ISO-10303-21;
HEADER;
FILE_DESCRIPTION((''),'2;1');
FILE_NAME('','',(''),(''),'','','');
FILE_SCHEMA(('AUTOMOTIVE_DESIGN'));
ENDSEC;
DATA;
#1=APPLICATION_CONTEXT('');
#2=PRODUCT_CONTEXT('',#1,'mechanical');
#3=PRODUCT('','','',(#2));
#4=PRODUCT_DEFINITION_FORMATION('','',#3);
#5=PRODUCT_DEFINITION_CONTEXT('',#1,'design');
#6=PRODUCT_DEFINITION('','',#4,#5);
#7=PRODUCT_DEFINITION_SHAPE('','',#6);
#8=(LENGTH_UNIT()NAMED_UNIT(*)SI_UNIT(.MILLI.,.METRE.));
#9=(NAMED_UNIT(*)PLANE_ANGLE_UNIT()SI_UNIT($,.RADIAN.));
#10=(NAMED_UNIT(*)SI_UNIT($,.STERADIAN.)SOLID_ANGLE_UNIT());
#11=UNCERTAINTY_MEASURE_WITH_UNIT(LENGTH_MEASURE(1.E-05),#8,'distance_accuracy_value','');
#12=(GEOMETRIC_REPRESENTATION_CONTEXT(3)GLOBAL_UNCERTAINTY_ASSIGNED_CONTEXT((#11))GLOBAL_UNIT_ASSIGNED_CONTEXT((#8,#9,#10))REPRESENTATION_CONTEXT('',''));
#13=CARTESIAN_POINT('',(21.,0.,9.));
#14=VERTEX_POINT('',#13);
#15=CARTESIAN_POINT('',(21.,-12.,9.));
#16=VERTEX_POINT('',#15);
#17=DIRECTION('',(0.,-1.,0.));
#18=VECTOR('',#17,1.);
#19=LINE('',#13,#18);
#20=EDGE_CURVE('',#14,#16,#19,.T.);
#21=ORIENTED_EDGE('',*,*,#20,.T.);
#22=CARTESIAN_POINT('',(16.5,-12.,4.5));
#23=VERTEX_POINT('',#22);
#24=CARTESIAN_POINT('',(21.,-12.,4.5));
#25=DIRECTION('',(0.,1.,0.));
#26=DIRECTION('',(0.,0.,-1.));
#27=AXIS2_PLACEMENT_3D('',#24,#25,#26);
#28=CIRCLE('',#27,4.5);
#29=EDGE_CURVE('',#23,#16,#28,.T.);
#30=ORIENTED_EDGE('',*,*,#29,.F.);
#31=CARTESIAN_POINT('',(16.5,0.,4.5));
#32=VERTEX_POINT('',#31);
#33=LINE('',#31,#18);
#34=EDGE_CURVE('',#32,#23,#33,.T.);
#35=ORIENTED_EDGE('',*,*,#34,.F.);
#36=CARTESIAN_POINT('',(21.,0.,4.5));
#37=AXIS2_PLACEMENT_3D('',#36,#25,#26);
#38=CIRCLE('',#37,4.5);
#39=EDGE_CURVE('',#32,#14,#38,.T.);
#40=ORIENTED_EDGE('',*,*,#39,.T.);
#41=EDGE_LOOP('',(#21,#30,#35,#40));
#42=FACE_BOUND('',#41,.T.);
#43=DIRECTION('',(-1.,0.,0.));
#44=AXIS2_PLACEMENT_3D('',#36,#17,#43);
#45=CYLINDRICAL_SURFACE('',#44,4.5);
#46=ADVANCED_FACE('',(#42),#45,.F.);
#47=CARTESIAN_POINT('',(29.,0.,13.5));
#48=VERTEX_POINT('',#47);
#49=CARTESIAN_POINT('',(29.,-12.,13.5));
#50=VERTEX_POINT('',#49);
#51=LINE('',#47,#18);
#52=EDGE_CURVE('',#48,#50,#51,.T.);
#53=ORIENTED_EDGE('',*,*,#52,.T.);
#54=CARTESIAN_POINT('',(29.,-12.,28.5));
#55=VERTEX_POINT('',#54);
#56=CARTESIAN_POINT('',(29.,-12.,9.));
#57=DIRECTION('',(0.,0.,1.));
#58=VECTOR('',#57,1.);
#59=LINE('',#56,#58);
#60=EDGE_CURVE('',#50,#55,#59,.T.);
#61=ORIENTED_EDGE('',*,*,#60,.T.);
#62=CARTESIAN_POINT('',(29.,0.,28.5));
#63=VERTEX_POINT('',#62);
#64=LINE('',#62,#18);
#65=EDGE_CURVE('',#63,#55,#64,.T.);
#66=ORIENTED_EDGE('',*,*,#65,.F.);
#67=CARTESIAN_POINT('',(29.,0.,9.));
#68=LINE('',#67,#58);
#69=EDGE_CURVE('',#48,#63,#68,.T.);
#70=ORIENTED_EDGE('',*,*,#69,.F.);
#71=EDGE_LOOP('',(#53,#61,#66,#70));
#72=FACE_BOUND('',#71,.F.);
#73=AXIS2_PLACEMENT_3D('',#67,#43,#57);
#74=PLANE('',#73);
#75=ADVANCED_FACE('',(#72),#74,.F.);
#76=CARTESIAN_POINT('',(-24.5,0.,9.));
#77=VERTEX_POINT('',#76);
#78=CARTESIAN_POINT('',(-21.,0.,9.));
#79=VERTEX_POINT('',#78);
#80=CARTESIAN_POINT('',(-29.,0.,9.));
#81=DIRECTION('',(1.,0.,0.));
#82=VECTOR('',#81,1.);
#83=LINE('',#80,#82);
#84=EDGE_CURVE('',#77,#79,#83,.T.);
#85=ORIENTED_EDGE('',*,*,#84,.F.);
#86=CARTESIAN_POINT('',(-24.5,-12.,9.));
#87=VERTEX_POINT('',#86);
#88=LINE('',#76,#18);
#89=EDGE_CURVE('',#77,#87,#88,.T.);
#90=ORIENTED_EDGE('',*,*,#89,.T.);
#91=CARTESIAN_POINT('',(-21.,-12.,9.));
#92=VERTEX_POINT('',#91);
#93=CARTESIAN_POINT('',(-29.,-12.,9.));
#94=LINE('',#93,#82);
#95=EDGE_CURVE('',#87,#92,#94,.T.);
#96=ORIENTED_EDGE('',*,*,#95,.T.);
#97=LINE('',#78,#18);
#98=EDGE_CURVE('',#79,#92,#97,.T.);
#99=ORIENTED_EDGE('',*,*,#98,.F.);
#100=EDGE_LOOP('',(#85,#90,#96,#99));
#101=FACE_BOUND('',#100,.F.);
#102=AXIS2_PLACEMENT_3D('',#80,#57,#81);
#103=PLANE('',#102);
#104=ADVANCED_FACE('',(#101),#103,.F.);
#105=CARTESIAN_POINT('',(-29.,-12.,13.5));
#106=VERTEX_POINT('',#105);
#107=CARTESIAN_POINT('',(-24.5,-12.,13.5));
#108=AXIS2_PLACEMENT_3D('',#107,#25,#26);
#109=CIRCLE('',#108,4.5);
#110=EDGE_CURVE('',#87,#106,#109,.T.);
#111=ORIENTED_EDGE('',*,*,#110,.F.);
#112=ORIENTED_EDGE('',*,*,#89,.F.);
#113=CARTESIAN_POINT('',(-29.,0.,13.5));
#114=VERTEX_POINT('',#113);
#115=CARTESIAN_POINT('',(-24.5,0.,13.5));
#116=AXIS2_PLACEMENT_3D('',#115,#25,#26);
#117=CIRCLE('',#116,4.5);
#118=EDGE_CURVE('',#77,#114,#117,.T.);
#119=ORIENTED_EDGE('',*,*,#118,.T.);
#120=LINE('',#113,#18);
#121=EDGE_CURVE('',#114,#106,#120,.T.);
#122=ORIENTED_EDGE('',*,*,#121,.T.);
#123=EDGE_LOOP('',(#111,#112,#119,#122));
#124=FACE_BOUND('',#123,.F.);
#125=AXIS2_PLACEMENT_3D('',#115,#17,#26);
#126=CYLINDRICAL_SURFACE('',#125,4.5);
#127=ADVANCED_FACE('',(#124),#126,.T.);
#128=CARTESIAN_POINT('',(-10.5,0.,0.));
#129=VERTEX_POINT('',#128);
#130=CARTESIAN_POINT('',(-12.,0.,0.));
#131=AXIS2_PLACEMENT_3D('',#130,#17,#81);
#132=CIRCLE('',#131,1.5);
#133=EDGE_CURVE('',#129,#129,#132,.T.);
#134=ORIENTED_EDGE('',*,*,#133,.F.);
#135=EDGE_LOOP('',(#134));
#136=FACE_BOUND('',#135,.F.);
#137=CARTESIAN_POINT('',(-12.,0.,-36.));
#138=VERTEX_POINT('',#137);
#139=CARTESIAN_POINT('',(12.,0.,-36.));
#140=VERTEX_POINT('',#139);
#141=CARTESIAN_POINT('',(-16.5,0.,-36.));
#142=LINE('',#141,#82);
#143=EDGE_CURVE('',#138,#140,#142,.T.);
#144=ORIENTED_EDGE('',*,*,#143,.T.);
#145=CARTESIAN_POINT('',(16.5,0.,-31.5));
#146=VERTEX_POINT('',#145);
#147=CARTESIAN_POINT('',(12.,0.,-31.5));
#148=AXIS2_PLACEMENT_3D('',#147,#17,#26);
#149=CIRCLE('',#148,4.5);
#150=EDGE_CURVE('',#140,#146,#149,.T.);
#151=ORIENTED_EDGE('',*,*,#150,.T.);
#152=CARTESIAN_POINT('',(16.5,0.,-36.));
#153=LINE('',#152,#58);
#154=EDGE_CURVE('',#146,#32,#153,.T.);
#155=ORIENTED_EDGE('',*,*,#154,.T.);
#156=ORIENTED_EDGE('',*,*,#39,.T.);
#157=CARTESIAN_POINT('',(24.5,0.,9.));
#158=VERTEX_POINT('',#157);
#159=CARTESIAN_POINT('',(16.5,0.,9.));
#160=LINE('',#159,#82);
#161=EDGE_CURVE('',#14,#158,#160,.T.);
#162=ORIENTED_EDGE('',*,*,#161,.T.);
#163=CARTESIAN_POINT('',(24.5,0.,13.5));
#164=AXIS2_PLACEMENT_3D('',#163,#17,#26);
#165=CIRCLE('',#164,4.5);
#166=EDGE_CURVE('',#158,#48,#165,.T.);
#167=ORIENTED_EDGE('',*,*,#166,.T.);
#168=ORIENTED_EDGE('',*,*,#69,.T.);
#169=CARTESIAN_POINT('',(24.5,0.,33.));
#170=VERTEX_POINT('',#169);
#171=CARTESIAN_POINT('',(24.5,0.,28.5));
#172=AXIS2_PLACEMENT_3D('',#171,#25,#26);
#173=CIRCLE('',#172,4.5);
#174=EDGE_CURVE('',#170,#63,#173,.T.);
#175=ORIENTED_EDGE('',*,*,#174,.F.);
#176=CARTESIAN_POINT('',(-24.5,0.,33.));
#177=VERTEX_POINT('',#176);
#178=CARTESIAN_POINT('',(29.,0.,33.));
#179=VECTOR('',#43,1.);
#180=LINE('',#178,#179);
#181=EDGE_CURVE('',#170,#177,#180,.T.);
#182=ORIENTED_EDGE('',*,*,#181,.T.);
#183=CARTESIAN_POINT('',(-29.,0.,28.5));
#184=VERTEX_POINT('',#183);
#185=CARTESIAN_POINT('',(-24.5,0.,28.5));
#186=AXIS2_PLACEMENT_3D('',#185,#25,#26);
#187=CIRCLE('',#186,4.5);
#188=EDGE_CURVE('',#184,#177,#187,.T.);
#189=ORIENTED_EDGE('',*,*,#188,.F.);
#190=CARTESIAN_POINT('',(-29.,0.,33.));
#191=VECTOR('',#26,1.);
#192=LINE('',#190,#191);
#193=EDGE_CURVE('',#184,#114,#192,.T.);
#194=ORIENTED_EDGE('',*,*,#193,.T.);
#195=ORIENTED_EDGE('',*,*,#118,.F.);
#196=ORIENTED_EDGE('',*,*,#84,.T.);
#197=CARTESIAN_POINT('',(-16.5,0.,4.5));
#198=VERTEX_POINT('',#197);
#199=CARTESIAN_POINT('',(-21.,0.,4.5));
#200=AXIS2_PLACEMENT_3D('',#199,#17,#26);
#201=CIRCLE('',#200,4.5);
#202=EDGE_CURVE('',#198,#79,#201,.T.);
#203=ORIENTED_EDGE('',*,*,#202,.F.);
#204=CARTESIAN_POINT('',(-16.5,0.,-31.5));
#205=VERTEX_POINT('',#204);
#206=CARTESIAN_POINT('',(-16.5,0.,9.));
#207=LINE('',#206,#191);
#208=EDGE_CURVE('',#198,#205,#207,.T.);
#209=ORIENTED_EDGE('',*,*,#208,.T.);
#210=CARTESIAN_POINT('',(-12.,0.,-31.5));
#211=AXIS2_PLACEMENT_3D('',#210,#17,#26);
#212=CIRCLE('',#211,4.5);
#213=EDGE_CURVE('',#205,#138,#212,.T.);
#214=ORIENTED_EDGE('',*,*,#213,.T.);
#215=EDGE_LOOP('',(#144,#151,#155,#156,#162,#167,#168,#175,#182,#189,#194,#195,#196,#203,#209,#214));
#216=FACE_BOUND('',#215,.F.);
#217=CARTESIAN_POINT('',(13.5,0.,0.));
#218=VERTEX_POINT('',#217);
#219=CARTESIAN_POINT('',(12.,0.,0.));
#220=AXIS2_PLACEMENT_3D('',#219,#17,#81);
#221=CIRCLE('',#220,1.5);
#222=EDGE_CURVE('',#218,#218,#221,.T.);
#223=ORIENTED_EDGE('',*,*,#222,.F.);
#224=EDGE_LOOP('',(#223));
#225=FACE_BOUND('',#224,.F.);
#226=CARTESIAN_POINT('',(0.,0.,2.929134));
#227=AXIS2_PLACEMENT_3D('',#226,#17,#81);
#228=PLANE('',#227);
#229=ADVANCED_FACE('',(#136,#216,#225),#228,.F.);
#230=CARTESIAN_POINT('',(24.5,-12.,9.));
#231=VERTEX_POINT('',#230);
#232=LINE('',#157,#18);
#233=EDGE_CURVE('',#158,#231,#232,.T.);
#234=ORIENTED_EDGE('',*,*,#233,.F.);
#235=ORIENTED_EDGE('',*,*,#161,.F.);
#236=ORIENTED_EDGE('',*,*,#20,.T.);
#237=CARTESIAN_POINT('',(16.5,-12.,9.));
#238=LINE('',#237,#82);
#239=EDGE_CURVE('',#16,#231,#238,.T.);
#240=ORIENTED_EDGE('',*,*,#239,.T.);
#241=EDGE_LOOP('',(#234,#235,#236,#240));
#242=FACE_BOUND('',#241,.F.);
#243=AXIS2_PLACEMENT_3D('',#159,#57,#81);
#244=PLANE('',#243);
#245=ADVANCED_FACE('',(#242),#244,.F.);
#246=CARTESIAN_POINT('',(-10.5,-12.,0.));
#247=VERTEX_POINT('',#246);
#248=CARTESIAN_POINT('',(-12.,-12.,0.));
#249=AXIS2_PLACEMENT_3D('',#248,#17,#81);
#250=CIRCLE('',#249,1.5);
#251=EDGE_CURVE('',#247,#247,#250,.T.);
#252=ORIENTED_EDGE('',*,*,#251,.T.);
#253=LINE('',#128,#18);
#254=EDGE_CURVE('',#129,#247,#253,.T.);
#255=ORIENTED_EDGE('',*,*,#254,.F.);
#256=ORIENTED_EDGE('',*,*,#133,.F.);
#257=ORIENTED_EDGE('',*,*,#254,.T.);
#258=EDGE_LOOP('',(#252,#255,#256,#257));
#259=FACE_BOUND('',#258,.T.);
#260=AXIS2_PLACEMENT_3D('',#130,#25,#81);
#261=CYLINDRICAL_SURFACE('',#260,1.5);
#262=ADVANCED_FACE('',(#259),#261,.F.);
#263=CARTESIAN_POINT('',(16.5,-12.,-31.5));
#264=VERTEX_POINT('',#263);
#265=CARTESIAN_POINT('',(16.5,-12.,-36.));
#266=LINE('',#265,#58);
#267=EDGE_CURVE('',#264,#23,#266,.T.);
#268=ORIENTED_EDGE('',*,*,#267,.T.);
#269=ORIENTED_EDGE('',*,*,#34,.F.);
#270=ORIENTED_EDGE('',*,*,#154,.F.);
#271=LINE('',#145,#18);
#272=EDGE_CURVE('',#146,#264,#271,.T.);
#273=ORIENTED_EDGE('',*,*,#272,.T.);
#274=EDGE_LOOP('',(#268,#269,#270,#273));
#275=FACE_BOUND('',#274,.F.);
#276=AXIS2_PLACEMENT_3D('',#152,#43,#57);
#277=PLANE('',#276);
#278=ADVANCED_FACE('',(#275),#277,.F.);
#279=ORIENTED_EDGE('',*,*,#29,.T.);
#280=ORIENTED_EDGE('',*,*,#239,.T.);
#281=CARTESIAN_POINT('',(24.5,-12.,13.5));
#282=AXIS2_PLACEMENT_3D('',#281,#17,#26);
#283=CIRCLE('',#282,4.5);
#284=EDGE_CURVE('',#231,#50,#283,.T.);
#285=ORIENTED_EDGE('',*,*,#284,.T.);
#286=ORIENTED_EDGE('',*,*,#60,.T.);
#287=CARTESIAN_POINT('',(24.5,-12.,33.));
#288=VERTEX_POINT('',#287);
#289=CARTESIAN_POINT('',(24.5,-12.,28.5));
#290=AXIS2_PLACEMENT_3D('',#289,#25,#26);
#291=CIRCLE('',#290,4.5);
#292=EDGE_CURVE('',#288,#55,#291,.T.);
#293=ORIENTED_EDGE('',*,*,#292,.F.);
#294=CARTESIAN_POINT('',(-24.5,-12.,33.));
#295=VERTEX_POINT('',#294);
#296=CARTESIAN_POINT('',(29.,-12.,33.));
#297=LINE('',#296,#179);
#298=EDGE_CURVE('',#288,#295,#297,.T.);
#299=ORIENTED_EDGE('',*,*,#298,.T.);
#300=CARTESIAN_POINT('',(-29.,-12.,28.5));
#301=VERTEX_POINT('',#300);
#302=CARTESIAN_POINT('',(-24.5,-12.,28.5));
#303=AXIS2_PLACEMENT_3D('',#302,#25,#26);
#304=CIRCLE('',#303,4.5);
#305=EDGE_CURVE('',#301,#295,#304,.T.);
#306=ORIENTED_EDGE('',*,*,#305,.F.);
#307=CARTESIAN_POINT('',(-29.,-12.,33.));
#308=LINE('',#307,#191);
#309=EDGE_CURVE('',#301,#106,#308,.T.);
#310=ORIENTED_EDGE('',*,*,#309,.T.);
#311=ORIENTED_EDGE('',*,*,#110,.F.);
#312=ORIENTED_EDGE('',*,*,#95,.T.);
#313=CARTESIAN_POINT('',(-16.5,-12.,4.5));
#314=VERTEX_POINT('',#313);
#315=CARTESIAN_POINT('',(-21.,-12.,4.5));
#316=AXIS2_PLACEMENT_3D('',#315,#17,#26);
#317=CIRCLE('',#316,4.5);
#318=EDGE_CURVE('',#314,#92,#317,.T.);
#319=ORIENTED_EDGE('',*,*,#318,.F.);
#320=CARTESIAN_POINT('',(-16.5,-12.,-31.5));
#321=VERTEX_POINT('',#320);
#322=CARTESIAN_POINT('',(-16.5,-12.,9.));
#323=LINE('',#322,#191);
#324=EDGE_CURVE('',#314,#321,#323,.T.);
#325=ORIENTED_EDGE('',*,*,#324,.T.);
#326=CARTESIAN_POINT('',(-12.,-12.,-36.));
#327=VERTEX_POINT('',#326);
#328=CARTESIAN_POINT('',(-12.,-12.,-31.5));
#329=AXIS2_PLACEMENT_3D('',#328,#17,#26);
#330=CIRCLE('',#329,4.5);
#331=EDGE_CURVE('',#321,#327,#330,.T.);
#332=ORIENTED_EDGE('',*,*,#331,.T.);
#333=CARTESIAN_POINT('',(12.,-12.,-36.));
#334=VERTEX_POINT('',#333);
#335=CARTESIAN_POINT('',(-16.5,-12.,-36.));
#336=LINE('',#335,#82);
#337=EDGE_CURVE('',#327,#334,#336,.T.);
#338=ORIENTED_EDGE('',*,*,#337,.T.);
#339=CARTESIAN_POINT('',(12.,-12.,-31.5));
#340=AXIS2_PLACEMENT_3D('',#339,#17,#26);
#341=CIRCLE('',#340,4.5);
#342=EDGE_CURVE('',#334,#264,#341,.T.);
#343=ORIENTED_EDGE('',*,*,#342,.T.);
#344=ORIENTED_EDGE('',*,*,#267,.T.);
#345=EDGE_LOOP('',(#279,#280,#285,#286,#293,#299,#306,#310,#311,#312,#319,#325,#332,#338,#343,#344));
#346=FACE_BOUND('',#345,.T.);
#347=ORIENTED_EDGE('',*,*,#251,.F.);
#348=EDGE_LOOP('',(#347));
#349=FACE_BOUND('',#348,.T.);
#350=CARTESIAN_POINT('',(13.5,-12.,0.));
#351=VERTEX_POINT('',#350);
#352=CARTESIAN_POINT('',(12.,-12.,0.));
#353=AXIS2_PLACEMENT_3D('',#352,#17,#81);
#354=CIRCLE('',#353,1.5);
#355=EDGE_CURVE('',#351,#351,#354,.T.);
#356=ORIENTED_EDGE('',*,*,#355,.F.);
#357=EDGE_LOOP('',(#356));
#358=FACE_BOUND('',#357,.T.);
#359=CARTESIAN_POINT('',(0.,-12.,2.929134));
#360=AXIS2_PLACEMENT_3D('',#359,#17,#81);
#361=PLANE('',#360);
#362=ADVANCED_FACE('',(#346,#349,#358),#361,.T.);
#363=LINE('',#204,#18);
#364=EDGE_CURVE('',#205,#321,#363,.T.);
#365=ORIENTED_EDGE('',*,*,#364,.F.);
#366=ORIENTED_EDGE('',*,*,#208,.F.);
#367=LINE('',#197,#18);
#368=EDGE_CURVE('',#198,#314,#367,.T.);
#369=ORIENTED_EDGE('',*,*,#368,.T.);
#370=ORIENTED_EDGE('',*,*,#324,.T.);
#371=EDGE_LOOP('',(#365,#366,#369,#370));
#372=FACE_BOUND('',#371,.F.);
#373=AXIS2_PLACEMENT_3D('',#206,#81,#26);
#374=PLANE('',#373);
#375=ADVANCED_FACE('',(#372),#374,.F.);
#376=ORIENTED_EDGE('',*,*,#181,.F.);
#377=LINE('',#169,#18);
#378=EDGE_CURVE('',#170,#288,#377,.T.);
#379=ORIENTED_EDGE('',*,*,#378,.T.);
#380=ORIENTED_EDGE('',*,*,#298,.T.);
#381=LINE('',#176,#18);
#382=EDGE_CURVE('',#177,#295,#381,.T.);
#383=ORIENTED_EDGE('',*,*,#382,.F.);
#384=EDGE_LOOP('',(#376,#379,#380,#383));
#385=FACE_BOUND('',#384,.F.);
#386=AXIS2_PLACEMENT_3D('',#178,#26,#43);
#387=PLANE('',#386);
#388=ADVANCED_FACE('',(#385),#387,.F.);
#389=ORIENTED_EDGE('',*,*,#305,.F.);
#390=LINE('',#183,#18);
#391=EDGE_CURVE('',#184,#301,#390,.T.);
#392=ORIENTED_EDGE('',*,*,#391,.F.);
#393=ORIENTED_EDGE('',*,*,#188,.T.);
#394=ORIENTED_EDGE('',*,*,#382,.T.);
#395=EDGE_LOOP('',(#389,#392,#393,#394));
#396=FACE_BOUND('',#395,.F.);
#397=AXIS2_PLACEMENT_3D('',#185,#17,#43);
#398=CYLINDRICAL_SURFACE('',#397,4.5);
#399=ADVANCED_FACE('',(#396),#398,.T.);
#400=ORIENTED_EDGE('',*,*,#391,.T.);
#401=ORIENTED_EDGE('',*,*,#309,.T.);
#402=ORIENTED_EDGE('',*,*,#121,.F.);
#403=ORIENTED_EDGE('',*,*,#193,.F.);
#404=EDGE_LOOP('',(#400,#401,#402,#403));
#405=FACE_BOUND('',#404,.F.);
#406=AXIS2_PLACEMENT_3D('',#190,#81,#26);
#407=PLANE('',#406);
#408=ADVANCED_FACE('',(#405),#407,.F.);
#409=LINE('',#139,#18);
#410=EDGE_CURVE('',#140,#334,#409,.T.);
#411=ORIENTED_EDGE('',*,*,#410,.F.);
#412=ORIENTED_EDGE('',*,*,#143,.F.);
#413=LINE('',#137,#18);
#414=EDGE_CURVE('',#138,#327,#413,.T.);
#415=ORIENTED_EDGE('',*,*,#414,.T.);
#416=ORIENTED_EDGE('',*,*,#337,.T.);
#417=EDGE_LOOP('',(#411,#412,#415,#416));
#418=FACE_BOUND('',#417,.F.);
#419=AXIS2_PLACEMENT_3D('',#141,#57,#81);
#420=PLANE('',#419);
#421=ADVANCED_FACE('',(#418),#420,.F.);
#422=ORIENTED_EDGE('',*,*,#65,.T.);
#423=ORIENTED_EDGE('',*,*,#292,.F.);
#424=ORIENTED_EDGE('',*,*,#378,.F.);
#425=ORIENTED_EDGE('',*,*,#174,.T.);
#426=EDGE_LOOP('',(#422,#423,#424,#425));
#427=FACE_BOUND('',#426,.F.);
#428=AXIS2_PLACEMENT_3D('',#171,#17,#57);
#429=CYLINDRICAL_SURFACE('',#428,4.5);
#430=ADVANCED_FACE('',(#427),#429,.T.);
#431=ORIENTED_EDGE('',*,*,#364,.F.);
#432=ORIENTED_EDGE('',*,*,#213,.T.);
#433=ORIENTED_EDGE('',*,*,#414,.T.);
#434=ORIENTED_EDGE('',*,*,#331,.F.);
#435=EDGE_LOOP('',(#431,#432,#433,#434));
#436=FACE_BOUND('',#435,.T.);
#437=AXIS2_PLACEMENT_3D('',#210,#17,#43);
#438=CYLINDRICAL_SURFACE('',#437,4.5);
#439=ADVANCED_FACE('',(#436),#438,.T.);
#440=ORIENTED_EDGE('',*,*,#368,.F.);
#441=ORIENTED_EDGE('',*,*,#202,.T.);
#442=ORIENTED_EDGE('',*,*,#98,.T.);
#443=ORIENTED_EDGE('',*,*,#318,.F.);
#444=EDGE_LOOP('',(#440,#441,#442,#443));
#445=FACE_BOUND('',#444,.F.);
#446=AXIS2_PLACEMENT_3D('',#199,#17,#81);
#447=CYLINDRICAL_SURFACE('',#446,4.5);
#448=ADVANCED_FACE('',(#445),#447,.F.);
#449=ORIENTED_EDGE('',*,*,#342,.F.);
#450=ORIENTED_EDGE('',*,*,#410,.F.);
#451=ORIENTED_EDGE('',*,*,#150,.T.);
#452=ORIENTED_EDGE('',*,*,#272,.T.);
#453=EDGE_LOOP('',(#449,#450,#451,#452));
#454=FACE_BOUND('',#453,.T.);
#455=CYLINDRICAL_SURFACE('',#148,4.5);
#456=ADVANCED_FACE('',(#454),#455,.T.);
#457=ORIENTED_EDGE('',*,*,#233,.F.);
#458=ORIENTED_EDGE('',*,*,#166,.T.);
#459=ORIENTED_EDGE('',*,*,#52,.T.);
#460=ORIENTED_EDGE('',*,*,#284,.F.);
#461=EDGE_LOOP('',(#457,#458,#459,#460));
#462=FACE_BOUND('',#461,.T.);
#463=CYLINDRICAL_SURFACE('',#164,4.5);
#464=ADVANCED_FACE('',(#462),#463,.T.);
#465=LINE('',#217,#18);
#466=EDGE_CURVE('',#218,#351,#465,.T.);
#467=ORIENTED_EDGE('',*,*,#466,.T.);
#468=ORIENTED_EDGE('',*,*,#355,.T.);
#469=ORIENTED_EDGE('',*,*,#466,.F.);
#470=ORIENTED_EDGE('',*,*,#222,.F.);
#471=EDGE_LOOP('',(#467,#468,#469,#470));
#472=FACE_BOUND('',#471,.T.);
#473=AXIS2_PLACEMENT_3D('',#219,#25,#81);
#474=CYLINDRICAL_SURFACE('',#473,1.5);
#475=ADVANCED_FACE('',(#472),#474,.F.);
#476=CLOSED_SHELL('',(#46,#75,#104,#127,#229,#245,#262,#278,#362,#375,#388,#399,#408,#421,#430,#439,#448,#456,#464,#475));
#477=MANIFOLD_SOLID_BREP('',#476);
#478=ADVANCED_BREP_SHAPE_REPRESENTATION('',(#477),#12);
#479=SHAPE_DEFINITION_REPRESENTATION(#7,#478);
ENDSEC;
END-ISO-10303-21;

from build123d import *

# Parameters (mm, degrees)
F0_R     = 1.5
F1_DEPTH = 12
F2_R     = 4.5


with BuildPart() as f1:
    # F0 (on Front) → F1 (new body)
    with BuildSketch(Plane.XZ):
        Polygon((-16.5, 9), (-16.5, -36), (16.5, -36), (16.5, 9), (29, 9), (29, 33), (-29, 33), (-29, 9), align=None)
        with Locations((-12, 0)):
            Circle(F0_R, mode=Mode.SUBTRACT)
        with Locations((12, 0)):
            Circle(F0_R, mode=Mode.SUBTRACT)
    extrude(amount=F1_DEPTH)

    # F2
    f2_edges = [f1.edges().sort_by_distance(p)[0] for p in [
        (-29, -6, 33),
        (-29, -6, 9),
        (-16.5, -6, 9),
        (-16.5, -6, -36),
        (16.5, -6, -36),
        (16.5, -6, 9),
        (29, -6, 9),
        (29, -6, 33),
    ]]
    fillet(f2_edges, radius=F2_R)


solid = f1.part
